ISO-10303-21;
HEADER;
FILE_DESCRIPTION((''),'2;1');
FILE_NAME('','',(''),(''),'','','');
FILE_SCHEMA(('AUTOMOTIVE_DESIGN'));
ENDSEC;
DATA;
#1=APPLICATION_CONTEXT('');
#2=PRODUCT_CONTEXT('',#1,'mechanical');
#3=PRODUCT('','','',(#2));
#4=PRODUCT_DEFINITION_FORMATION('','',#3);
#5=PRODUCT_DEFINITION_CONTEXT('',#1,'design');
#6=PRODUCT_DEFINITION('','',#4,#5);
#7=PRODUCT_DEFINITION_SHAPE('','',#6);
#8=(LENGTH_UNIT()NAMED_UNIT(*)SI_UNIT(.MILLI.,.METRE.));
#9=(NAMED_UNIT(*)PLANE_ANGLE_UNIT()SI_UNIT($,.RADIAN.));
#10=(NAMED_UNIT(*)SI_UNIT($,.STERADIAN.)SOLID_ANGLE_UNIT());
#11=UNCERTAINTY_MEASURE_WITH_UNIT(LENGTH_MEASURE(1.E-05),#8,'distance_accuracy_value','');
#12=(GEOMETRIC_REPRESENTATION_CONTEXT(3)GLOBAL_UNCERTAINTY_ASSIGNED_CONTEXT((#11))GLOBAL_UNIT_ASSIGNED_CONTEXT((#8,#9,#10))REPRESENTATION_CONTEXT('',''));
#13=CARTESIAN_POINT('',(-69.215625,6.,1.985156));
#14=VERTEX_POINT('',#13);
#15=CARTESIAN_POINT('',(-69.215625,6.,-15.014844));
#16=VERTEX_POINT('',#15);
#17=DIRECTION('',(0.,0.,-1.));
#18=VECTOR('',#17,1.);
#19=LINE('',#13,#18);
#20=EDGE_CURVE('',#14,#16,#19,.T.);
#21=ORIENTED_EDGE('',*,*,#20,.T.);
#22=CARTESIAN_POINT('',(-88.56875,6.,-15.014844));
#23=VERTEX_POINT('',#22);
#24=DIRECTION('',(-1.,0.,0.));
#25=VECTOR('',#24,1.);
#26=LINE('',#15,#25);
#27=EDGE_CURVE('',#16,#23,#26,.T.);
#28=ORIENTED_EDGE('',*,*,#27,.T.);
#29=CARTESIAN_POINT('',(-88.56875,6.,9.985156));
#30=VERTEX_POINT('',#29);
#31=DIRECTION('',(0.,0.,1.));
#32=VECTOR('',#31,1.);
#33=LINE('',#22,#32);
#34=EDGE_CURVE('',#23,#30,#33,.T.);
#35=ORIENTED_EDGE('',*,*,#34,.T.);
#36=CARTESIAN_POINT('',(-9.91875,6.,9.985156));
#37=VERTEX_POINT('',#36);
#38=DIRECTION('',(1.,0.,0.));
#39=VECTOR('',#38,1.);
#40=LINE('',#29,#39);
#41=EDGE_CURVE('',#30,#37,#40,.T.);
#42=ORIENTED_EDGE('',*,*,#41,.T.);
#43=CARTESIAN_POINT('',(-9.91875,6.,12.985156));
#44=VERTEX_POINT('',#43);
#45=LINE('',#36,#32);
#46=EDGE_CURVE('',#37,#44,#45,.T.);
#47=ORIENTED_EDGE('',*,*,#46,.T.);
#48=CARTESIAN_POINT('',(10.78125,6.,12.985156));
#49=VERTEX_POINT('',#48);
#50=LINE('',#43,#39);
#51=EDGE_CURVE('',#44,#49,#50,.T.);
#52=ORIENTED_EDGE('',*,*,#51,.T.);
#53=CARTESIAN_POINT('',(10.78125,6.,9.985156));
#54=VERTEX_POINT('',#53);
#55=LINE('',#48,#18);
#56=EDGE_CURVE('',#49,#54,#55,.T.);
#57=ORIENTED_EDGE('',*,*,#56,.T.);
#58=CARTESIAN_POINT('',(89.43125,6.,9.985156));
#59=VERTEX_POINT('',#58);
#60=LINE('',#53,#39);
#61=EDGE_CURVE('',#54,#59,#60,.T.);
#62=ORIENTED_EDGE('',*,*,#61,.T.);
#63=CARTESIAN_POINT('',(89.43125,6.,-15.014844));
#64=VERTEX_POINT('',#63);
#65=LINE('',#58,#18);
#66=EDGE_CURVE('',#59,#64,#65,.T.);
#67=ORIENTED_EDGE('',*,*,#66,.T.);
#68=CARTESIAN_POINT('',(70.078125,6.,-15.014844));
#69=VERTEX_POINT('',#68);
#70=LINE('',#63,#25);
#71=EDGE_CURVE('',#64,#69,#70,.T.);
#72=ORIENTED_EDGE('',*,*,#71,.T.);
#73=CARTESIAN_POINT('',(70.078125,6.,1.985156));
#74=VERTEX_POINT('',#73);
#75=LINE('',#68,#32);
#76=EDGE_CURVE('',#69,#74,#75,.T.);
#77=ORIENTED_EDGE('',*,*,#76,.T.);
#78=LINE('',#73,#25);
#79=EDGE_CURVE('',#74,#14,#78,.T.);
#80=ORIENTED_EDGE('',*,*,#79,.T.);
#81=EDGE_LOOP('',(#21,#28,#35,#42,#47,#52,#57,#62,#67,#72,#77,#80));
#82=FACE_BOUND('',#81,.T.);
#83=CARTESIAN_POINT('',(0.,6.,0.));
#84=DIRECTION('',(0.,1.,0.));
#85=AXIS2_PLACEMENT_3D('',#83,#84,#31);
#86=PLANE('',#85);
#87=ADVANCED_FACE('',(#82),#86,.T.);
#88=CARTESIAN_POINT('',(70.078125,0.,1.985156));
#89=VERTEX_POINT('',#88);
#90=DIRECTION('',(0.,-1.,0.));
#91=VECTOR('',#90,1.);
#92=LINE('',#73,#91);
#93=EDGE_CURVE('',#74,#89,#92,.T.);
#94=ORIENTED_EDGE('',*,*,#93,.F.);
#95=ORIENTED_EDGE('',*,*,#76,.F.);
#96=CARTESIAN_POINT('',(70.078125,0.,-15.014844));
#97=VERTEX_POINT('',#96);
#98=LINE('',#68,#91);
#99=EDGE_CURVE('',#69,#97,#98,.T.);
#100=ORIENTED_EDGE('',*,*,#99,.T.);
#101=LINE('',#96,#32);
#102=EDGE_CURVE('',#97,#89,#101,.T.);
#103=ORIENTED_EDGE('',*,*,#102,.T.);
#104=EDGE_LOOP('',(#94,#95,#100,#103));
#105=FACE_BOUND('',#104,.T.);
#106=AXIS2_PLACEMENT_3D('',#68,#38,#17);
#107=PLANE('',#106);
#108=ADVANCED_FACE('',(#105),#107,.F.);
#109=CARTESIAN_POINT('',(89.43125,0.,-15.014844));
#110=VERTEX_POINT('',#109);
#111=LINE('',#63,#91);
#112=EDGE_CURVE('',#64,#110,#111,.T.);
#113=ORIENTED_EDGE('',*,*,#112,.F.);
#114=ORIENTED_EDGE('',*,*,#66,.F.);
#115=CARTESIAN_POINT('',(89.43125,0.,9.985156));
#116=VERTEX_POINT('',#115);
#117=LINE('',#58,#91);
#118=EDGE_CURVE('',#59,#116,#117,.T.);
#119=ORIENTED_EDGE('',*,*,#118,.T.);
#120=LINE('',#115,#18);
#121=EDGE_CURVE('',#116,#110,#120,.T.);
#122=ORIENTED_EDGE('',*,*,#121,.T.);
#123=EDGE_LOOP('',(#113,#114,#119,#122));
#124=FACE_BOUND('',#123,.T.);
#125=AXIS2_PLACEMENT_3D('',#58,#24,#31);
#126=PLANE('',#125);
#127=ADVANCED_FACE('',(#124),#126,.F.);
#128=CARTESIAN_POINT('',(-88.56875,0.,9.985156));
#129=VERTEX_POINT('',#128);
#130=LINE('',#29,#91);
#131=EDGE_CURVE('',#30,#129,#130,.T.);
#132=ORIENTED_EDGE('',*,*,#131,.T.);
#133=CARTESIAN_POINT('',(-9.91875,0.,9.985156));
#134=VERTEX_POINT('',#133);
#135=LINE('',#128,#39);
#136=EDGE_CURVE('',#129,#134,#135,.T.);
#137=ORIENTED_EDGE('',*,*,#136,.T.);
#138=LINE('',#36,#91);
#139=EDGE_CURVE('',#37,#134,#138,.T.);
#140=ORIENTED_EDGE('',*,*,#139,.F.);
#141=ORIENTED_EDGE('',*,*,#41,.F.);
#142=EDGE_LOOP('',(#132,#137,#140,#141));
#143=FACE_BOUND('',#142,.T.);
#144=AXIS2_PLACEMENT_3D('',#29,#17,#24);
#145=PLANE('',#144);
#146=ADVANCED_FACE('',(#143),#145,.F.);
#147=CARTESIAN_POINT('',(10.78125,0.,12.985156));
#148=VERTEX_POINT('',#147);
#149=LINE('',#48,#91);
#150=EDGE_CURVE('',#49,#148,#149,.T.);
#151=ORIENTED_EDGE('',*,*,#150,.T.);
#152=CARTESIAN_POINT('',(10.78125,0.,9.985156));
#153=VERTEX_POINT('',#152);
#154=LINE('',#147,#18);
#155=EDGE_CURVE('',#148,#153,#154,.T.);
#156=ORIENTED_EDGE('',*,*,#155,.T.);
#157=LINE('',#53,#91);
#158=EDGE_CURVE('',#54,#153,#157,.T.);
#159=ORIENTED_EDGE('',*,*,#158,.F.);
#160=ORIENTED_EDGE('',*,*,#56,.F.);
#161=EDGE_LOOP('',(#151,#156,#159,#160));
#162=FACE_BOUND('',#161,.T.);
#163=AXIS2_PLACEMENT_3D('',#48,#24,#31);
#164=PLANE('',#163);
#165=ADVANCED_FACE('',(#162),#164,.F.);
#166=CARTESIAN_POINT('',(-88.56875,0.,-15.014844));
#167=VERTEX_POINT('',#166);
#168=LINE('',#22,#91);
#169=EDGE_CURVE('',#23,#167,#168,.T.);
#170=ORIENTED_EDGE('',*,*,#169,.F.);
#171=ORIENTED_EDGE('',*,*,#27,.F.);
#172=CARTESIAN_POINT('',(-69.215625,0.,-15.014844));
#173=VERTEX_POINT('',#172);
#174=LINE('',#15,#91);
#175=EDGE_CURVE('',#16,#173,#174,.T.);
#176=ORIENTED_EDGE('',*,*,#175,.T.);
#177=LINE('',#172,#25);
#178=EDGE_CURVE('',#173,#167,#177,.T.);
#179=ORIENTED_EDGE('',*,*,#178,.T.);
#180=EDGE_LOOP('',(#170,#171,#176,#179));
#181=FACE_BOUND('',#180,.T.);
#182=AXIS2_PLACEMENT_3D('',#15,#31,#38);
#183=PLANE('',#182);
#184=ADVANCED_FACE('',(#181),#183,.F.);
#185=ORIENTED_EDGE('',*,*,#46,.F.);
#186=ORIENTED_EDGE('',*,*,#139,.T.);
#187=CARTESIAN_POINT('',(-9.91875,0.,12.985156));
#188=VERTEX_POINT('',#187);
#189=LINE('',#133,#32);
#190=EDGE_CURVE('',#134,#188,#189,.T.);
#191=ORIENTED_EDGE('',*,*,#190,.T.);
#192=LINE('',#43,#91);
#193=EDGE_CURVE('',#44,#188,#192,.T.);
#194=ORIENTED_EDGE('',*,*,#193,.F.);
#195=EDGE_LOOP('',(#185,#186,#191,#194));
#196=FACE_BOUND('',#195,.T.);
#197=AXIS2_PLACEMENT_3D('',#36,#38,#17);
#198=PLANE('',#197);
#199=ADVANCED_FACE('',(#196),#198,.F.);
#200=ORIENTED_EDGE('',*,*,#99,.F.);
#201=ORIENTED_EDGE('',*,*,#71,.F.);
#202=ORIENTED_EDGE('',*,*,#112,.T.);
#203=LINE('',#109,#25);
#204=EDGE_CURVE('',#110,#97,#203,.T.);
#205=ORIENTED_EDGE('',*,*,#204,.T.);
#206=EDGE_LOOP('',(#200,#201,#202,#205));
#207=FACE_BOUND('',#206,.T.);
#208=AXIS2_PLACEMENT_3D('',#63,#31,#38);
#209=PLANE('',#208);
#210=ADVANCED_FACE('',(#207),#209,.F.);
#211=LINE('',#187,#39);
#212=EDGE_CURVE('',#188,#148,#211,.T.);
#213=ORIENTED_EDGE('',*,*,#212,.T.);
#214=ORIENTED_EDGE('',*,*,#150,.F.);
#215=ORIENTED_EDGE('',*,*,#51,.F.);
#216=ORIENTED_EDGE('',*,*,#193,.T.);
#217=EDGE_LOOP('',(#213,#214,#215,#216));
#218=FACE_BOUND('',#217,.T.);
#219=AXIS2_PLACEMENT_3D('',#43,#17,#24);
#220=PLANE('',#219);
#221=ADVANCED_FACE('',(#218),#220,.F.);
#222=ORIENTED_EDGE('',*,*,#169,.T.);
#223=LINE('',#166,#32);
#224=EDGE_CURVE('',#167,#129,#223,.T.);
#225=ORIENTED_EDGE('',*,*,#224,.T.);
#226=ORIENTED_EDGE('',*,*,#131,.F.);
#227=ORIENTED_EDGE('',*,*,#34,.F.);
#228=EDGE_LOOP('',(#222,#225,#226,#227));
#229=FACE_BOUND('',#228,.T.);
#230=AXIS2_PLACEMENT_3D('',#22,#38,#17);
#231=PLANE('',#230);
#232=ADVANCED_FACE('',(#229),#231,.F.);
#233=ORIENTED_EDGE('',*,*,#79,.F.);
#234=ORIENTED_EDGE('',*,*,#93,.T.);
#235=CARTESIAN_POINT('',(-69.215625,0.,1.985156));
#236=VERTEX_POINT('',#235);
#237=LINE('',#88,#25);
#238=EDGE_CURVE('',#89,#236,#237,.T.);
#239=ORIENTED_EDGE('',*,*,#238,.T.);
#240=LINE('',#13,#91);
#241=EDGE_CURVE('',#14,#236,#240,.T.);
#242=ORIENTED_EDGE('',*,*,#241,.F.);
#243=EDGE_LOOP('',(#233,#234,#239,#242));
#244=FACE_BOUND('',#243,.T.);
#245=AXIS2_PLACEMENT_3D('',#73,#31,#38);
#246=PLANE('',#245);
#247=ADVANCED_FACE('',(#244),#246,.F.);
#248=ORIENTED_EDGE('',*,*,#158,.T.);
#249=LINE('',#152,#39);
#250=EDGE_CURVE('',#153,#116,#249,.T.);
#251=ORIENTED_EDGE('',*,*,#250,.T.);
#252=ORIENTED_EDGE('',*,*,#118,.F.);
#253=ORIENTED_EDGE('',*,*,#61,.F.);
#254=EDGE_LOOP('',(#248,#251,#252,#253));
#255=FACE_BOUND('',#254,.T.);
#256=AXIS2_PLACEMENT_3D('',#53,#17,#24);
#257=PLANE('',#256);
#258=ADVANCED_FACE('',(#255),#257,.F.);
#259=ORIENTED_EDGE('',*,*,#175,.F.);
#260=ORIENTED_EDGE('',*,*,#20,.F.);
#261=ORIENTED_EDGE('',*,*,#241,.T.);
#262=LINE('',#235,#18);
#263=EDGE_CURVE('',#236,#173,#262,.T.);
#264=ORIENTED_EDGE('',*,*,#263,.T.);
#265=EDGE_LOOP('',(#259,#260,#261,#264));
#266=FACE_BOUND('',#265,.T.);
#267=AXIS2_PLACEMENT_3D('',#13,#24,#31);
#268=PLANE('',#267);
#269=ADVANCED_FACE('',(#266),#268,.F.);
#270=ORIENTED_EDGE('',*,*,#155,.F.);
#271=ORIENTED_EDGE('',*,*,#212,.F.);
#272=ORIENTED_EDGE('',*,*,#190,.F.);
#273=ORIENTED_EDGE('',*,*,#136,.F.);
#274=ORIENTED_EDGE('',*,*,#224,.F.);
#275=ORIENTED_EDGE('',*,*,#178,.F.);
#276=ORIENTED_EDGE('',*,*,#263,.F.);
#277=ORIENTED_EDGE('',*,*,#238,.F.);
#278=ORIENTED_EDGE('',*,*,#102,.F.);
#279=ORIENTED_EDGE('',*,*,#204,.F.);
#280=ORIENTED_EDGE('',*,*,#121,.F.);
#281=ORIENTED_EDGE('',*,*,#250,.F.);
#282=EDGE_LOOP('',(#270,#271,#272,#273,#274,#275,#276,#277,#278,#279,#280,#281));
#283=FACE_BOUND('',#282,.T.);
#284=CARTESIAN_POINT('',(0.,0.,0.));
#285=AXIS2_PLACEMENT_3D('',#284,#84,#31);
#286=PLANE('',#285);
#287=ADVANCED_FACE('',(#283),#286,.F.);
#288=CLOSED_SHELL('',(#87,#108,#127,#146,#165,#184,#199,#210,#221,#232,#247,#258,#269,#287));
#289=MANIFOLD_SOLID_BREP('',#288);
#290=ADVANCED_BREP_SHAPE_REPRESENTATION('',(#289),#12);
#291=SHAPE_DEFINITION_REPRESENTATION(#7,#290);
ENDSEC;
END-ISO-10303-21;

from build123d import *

# Parameters (mm, degrees)
BOSS_EXTRUDE1_DEPTH = 6


with BuildPart() as part:
    # Sketch1 → Boss-Extrude1 (new body)
    with BuildSketch(Plane(origin=(0, 0, 0), x_dir=(1, 0, 0), z_dir=(0, 1, 0))):
        Polygon((-9.91875, -12.98515625), (10.78125, -12.98515625), (10.78125, -9.98515625), (89.43125, -9.98515625), (89.43125, 15.01484375), (70.078125, 15.01484375), (70.078125, -1.98515625), (-69.215625, -1.98515625), (-69.215625, 15.01484375), (-88.56875, 15.01484375), (-88.56875, -9.98515625), (-9.91875, -9.98515625), align=None)
    extrude(amount=BOSS_EXTRUDE1_DEPTH)


solid = part.part
